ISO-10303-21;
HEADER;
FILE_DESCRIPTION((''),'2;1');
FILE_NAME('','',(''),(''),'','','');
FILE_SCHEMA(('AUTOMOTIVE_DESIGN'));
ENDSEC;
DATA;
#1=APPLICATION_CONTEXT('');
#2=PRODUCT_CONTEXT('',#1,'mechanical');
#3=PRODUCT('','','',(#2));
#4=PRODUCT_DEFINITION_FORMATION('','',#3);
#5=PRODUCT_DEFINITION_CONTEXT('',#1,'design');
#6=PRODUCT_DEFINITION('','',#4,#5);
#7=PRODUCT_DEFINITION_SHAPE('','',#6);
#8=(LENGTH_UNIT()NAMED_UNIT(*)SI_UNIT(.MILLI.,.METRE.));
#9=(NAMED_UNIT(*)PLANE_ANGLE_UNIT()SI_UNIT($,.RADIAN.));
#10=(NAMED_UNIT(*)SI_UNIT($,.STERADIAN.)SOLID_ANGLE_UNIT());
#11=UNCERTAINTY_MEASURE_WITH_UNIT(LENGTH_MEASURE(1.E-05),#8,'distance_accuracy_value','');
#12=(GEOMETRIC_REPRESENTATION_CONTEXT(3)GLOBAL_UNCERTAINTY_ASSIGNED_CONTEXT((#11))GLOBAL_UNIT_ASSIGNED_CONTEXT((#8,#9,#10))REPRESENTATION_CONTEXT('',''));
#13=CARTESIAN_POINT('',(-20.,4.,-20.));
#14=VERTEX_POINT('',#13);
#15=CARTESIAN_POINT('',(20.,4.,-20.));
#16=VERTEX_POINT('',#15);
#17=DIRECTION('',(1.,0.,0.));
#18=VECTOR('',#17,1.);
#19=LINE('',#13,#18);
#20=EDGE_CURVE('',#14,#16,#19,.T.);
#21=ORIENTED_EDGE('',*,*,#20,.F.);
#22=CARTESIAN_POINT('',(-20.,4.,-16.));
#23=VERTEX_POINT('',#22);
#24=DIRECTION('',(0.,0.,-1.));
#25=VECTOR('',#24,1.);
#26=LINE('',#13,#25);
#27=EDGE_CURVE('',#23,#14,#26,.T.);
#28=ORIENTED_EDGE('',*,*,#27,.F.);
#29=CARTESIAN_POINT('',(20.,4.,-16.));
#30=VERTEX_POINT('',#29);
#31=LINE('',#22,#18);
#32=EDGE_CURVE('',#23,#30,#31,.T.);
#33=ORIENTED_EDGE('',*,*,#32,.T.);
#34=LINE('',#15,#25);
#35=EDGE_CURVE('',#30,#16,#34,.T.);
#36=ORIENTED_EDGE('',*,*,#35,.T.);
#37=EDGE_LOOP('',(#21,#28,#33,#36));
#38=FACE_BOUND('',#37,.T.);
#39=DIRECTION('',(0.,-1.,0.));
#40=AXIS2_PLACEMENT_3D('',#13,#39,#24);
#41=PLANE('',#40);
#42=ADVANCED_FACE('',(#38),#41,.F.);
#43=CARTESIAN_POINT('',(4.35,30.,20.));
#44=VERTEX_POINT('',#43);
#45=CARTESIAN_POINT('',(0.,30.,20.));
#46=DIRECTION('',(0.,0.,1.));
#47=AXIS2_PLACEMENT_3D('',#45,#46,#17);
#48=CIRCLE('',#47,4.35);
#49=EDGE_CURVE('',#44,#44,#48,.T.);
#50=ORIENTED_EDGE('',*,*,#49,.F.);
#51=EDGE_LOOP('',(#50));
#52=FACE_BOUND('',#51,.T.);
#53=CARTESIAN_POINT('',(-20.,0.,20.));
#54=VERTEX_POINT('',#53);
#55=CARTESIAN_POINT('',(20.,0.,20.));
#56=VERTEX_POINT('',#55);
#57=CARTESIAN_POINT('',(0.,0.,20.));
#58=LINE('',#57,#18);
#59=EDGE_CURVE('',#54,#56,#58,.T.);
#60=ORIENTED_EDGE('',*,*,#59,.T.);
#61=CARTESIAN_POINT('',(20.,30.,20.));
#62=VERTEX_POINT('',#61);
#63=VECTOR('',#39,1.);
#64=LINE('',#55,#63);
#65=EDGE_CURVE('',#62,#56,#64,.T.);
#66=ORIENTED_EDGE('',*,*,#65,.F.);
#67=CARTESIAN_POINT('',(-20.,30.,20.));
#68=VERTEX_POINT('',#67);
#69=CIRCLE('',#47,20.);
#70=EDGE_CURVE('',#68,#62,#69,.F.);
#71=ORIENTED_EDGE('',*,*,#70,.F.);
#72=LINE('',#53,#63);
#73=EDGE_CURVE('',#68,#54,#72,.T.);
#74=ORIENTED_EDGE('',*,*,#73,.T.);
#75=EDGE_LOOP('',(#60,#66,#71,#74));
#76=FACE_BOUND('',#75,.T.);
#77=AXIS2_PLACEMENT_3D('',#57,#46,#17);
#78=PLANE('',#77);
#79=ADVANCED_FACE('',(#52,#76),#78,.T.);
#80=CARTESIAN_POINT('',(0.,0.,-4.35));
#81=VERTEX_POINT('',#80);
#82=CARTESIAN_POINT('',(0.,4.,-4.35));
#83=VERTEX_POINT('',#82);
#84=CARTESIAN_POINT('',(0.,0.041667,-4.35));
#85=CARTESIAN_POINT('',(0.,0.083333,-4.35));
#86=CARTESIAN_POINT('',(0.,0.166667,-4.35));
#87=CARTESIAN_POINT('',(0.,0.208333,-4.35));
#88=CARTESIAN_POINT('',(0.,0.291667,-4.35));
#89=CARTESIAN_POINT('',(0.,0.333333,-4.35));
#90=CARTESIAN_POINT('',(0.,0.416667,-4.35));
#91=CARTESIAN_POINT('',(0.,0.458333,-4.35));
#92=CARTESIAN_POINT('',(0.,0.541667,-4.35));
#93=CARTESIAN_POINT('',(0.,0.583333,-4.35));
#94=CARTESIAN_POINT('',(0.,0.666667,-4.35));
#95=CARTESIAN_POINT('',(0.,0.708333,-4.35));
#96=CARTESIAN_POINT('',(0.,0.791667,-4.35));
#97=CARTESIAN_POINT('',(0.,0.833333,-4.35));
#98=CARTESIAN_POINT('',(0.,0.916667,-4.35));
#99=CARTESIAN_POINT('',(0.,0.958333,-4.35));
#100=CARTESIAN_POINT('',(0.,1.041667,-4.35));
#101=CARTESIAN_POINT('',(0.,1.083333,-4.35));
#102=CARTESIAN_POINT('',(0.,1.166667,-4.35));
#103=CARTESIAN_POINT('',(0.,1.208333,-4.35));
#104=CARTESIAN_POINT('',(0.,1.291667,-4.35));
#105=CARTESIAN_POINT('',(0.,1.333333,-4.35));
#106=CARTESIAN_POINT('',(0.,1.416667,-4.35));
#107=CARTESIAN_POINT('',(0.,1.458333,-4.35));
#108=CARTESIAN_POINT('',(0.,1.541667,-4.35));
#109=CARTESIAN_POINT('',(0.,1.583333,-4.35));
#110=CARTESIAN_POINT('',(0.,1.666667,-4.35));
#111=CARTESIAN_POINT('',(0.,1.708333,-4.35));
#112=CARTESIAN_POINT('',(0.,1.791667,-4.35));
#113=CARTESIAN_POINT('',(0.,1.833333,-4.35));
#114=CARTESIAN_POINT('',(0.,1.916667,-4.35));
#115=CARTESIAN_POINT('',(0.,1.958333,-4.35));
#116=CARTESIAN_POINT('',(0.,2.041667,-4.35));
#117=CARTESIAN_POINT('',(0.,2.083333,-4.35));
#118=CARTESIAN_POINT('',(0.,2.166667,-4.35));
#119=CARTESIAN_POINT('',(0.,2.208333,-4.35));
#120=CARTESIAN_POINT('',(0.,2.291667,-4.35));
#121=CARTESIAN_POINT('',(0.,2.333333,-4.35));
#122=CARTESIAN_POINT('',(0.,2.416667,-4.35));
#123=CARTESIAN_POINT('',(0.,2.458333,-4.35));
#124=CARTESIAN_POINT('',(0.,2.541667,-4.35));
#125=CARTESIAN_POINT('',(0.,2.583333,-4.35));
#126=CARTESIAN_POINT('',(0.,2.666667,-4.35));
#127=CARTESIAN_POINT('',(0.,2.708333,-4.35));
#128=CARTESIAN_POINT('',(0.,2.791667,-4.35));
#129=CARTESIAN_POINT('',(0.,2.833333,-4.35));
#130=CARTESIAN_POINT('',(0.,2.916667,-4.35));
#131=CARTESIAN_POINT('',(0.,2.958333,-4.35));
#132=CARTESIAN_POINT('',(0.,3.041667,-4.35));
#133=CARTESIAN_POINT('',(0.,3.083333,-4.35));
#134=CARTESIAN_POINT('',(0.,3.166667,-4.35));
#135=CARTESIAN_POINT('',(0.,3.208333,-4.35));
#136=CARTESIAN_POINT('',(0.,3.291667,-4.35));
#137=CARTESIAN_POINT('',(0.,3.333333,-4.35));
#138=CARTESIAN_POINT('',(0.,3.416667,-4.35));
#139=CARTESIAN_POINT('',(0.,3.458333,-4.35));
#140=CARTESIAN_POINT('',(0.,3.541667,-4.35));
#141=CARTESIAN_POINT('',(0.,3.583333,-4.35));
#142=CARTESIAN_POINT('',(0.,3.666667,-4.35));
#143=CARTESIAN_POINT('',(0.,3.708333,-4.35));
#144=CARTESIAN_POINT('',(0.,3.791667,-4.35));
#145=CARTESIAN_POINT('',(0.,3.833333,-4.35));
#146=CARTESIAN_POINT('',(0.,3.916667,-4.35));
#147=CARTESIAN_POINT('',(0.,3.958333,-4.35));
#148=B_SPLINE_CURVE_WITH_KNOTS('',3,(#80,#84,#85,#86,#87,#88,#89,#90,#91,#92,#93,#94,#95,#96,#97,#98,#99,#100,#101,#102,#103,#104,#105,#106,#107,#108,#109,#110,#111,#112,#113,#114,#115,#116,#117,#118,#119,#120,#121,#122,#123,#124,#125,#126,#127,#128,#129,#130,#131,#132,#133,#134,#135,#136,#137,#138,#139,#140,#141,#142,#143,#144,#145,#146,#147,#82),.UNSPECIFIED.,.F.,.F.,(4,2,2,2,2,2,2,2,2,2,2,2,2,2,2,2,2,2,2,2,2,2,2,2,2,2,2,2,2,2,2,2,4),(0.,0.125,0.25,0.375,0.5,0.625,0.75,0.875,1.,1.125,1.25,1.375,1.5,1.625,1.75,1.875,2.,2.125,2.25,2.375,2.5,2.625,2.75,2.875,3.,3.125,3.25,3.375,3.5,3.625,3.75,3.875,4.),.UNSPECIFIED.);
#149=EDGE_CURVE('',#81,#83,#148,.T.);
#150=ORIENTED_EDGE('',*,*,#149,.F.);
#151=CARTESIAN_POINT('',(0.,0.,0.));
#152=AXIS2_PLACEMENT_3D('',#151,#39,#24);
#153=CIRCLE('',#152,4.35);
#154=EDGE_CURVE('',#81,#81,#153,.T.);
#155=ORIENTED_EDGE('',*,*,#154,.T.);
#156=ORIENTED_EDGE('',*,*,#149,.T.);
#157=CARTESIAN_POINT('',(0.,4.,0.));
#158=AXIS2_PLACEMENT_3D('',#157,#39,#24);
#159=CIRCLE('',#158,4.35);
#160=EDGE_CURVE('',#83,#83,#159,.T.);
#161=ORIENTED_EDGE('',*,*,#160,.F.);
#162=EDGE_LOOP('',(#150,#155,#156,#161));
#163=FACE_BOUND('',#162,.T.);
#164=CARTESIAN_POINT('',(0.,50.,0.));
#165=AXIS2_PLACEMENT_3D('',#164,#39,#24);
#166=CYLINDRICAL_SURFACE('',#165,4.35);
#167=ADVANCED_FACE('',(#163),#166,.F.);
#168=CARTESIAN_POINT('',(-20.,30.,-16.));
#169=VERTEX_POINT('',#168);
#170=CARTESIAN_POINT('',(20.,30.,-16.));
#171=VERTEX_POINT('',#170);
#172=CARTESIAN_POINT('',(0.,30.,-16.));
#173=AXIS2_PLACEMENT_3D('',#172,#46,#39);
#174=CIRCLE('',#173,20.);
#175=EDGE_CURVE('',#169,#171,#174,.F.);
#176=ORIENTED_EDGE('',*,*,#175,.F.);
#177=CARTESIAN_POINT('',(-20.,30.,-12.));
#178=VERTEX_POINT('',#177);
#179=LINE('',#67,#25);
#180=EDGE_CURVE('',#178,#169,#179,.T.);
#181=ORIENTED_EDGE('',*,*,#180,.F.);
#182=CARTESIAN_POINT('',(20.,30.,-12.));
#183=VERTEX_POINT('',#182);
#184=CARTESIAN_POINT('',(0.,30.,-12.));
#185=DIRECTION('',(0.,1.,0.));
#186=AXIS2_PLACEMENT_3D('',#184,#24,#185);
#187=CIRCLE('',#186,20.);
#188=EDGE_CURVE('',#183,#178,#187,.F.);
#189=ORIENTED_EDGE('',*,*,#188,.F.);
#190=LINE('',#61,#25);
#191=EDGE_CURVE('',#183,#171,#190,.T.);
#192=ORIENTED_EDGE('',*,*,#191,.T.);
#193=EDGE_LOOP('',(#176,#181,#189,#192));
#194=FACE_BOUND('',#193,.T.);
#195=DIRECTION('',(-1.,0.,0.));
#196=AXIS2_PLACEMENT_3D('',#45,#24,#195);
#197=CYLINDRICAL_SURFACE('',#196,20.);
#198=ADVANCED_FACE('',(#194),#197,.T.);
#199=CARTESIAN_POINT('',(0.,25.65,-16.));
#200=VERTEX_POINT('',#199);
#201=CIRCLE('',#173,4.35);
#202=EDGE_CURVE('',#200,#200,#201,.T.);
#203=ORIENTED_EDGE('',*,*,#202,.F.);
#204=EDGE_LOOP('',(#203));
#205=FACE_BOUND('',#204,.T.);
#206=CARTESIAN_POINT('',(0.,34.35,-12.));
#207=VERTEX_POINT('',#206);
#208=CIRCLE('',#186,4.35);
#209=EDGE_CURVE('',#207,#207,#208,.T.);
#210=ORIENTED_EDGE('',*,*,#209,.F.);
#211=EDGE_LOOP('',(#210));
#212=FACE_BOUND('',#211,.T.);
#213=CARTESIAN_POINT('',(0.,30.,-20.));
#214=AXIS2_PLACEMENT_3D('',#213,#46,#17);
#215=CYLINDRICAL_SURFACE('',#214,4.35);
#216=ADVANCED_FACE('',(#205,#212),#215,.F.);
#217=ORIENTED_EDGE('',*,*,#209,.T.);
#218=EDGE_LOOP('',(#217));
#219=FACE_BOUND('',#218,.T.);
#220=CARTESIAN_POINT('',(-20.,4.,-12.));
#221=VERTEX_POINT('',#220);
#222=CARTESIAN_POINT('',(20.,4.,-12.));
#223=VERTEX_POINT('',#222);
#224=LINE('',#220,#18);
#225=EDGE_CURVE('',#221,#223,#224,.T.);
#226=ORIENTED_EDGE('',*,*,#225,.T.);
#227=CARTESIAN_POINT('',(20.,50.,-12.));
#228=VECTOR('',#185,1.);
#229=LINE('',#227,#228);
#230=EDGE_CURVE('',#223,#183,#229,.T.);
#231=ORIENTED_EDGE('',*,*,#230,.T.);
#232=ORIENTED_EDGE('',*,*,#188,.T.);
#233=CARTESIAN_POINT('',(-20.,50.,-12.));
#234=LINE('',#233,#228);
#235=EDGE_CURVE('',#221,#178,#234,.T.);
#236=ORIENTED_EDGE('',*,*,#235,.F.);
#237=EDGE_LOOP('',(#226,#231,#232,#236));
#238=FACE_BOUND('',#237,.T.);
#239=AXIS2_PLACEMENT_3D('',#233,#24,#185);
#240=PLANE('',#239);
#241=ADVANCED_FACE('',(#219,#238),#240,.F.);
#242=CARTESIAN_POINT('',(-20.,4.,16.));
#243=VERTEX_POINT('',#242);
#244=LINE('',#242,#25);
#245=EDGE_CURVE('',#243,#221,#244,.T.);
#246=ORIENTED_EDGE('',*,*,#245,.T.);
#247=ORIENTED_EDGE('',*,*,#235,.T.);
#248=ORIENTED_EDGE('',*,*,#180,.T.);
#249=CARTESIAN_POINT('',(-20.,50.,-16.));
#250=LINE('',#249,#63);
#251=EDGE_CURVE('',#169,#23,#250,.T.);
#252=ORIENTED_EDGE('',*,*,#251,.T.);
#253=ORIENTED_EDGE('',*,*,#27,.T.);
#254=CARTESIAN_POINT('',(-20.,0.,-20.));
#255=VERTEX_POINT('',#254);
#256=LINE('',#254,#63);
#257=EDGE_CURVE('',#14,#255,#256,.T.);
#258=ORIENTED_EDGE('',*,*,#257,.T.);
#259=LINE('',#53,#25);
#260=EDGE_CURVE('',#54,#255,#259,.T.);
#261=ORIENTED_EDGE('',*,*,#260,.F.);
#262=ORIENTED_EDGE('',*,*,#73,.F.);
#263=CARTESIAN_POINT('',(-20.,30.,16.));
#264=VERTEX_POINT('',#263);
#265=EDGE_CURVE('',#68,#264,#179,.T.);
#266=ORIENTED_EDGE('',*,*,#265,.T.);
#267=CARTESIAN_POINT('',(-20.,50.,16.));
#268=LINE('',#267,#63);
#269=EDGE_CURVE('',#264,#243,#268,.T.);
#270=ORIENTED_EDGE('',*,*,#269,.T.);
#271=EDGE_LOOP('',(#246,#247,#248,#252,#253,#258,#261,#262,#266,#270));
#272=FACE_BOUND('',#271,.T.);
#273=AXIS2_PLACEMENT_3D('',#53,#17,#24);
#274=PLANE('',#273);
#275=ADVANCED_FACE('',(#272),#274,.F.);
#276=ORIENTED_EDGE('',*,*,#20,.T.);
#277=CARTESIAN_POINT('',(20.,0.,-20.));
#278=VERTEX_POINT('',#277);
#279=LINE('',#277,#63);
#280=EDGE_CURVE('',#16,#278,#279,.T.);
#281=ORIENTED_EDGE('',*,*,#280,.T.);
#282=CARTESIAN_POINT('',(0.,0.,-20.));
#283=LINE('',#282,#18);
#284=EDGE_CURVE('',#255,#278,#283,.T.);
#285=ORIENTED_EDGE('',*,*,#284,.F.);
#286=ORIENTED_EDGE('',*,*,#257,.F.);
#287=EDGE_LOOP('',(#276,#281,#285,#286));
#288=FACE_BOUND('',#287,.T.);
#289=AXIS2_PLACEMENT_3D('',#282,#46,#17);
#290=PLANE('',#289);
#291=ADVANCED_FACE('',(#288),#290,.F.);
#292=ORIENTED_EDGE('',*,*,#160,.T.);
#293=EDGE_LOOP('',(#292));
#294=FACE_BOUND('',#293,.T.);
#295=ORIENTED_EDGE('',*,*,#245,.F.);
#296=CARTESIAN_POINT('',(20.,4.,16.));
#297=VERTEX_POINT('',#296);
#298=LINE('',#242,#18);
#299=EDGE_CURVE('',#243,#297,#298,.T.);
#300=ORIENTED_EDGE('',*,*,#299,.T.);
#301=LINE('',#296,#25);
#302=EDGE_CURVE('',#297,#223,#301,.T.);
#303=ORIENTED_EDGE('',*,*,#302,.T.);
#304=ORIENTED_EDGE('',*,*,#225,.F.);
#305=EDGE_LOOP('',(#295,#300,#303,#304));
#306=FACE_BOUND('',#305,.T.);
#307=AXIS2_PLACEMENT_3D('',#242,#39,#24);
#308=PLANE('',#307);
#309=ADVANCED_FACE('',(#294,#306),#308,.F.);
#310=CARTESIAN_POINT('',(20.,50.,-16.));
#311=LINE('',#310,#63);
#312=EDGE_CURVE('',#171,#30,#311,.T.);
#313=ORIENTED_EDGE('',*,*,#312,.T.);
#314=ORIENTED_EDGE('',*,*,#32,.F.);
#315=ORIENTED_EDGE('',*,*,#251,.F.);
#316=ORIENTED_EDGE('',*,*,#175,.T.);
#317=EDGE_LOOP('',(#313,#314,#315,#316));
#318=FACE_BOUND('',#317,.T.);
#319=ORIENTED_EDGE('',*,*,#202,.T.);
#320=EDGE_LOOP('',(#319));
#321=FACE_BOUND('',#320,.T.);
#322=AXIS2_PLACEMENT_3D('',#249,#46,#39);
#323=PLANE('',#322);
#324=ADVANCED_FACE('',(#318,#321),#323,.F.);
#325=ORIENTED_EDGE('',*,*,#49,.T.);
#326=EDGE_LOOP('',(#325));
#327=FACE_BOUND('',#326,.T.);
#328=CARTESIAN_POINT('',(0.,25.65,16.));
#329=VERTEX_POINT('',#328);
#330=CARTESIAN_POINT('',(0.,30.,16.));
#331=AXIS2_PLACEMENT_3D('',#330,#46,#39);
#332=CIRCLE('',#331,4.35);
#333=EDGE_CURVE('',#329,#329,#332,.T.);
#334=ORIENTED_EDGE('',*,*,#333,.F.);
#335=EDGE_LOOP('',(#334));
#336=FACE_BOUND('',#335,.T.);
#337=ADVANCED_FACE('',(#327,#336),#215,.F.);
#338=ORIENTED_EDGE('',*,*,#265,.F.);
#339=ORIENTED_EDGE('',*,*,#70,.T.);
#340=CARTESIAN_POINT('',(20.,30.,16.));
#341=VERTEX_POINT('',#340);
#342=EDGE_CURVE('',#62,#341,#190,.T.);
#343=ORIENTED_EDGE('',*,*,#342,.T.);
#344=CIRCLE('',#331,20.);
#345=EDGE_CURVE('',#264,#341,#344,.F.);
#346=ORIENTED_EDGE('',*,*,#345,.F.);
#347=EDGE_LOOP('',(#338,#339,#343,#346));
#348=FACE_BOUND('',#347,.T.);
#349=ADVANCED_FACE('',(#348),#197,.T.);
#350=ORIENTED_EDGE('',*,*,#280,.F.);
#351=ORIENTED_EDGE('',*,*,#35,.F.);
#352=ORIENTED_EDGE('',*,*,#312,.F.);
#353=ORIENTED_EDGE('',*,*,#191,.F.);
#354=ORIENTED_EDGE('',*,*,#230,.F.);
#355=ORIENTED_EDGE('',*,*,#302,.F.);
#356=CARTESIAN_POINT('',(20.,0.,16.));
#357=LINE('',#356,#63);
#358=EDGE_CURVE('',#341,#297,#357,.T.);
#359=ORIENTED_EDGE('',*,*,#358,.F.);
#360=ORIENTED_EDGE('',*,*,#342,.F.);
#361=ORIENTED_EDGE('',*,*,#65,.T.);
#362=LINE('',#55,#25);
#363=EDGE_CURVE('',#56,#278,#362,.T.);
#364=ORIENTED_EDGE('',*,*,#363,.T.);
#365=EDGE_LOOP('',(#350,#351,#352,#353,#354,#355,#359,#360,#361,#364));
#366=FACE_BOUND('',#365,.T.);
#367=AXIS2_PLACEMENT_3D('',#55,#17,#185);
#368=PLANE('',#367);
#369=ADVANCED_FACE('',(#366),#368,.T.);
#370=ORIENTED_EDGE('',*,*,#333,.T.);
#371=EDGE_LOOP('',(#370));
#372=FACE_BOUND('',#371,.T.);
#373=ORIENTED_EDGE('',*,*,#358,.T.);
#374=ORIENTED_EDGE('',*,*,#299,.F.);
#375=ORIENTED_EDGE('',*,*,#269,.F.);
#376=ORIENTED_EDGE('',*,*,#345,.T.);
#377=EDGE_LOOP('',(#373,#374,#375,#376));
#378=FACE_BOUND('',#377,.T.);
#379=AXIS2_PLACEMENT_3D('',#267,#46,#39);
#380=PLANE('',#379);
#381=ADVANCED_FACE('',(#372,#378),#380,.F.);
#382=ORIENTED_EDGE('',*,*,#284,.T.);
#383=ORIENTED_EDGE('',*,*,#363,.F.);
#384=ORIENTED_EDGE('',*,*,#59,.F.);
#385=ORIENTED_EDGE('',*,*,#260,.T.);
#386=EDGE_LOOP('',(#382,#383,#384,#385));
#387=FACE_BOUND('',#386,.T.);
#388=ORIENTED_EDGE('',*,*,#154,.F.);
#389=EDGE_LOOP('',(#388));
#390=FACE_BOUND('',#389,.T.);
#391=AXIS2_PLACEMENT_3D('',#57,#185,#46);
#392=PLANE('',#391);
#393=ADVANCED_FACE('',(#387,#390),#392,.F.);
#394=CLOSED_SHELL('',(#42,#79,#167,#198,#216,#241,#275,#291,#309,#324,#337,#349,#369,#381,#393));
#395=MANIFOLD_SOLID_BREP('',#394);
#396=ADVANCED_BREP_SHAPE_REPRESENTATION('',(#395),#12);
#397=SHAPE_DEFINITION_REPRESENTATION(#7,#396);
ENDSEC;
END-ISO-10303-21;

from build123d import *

# Parameters (mm, degrees)
SKETCH1_W               = 40
SKETCH1_H               = 30
BOSS_EXTRUDE1_DEPTH     = 20
CUT_EXTRUDE1_DEPTH      = 58.445626465
CUT_EXTRUDE1_DEPTH_BACK = 58.445626465
SKETCH2_W               = 28
SKETCH2_H               = 46
SKETCH2_W_2             = 4
CUT_EXTRUDE2_DEPTH      = 68.082039325
CUT_EXTRUDE2_DEPTH_BACK = 68.082039325
SKETCH3_R               = 4.35
SKETCH4_R               = 4.35
CUT_EXTRUDE3_DEPTH      = 58.445626465


with BuildPart() as part:
    # Sketch1 → Boss-Extrude1 (new, symmetric)
    with BuildSketch(Plane.XY):
        with BuildLine():
            ThreePointArc((-20, 30), (0, 50), (20, 30))
            Line((20, 30), (-20, 30))
        make_face()
        with Locations((0, 15)):
            Rectangle(SKETCH1_W, SKETCH1_H)
    extrude(amount=BOSS_EXTRUDE1_DEPTH, both=True)

    # Sketch2 → Cut-Extrude1 (cut, two sides: drawn at the far end of the back side and taken through both)
    with BuildSketch(Plane(origin=(0, 0, 0), x_dir=(0, 0, -1), z_dir=(1, 0, 0)).offset(-CUT_EXTRUDE1_DEPTH_BACK)):
        with Locations((-2, 27)):
            Rectangle(SKETCH2_W, SKETCH2_H)
        with Locations((18, 27)):
            Rectangle(SKETCH2_W_2, SKETCH2_H)
    extrude(amount=CUT_EXTRUDE1_DEPTH + CUT_EXTRUDE1_DEPTH_BACK, mode=Mode.SUBTRACT)

    # Sketch3 → Cut-Extrude2 (cut, two sides: drawn at the far end of the back side and taken through both)
    with BuildSketch(Plane.XY.offset(20).offset(-CUT_EXTRUDE2_DEPTH_BACK)):
        with Locations(Location((0, 30, 0), (0, 0, 90))):
            Circle(SKETCH3_R)
    extrude(amount=CUT_EXTRUDE2_DEPTH + CUT_EXTRUDE2_DEPTH_BACK, mode=Mode.SUBTRACT)

    # Sketch4 → Cut-Extrude3 (cut, through all)
    with BuildSketch(Plane.XZ):
        with Locations(Location((0, 0, 0), (0, 0, 270))):
            Circle(SKETCH4_R)
    extrude(amount=-CUT_EXTRUDE3_DEPTH, mode=Mode.SUBTRACT)


solid = part.part
